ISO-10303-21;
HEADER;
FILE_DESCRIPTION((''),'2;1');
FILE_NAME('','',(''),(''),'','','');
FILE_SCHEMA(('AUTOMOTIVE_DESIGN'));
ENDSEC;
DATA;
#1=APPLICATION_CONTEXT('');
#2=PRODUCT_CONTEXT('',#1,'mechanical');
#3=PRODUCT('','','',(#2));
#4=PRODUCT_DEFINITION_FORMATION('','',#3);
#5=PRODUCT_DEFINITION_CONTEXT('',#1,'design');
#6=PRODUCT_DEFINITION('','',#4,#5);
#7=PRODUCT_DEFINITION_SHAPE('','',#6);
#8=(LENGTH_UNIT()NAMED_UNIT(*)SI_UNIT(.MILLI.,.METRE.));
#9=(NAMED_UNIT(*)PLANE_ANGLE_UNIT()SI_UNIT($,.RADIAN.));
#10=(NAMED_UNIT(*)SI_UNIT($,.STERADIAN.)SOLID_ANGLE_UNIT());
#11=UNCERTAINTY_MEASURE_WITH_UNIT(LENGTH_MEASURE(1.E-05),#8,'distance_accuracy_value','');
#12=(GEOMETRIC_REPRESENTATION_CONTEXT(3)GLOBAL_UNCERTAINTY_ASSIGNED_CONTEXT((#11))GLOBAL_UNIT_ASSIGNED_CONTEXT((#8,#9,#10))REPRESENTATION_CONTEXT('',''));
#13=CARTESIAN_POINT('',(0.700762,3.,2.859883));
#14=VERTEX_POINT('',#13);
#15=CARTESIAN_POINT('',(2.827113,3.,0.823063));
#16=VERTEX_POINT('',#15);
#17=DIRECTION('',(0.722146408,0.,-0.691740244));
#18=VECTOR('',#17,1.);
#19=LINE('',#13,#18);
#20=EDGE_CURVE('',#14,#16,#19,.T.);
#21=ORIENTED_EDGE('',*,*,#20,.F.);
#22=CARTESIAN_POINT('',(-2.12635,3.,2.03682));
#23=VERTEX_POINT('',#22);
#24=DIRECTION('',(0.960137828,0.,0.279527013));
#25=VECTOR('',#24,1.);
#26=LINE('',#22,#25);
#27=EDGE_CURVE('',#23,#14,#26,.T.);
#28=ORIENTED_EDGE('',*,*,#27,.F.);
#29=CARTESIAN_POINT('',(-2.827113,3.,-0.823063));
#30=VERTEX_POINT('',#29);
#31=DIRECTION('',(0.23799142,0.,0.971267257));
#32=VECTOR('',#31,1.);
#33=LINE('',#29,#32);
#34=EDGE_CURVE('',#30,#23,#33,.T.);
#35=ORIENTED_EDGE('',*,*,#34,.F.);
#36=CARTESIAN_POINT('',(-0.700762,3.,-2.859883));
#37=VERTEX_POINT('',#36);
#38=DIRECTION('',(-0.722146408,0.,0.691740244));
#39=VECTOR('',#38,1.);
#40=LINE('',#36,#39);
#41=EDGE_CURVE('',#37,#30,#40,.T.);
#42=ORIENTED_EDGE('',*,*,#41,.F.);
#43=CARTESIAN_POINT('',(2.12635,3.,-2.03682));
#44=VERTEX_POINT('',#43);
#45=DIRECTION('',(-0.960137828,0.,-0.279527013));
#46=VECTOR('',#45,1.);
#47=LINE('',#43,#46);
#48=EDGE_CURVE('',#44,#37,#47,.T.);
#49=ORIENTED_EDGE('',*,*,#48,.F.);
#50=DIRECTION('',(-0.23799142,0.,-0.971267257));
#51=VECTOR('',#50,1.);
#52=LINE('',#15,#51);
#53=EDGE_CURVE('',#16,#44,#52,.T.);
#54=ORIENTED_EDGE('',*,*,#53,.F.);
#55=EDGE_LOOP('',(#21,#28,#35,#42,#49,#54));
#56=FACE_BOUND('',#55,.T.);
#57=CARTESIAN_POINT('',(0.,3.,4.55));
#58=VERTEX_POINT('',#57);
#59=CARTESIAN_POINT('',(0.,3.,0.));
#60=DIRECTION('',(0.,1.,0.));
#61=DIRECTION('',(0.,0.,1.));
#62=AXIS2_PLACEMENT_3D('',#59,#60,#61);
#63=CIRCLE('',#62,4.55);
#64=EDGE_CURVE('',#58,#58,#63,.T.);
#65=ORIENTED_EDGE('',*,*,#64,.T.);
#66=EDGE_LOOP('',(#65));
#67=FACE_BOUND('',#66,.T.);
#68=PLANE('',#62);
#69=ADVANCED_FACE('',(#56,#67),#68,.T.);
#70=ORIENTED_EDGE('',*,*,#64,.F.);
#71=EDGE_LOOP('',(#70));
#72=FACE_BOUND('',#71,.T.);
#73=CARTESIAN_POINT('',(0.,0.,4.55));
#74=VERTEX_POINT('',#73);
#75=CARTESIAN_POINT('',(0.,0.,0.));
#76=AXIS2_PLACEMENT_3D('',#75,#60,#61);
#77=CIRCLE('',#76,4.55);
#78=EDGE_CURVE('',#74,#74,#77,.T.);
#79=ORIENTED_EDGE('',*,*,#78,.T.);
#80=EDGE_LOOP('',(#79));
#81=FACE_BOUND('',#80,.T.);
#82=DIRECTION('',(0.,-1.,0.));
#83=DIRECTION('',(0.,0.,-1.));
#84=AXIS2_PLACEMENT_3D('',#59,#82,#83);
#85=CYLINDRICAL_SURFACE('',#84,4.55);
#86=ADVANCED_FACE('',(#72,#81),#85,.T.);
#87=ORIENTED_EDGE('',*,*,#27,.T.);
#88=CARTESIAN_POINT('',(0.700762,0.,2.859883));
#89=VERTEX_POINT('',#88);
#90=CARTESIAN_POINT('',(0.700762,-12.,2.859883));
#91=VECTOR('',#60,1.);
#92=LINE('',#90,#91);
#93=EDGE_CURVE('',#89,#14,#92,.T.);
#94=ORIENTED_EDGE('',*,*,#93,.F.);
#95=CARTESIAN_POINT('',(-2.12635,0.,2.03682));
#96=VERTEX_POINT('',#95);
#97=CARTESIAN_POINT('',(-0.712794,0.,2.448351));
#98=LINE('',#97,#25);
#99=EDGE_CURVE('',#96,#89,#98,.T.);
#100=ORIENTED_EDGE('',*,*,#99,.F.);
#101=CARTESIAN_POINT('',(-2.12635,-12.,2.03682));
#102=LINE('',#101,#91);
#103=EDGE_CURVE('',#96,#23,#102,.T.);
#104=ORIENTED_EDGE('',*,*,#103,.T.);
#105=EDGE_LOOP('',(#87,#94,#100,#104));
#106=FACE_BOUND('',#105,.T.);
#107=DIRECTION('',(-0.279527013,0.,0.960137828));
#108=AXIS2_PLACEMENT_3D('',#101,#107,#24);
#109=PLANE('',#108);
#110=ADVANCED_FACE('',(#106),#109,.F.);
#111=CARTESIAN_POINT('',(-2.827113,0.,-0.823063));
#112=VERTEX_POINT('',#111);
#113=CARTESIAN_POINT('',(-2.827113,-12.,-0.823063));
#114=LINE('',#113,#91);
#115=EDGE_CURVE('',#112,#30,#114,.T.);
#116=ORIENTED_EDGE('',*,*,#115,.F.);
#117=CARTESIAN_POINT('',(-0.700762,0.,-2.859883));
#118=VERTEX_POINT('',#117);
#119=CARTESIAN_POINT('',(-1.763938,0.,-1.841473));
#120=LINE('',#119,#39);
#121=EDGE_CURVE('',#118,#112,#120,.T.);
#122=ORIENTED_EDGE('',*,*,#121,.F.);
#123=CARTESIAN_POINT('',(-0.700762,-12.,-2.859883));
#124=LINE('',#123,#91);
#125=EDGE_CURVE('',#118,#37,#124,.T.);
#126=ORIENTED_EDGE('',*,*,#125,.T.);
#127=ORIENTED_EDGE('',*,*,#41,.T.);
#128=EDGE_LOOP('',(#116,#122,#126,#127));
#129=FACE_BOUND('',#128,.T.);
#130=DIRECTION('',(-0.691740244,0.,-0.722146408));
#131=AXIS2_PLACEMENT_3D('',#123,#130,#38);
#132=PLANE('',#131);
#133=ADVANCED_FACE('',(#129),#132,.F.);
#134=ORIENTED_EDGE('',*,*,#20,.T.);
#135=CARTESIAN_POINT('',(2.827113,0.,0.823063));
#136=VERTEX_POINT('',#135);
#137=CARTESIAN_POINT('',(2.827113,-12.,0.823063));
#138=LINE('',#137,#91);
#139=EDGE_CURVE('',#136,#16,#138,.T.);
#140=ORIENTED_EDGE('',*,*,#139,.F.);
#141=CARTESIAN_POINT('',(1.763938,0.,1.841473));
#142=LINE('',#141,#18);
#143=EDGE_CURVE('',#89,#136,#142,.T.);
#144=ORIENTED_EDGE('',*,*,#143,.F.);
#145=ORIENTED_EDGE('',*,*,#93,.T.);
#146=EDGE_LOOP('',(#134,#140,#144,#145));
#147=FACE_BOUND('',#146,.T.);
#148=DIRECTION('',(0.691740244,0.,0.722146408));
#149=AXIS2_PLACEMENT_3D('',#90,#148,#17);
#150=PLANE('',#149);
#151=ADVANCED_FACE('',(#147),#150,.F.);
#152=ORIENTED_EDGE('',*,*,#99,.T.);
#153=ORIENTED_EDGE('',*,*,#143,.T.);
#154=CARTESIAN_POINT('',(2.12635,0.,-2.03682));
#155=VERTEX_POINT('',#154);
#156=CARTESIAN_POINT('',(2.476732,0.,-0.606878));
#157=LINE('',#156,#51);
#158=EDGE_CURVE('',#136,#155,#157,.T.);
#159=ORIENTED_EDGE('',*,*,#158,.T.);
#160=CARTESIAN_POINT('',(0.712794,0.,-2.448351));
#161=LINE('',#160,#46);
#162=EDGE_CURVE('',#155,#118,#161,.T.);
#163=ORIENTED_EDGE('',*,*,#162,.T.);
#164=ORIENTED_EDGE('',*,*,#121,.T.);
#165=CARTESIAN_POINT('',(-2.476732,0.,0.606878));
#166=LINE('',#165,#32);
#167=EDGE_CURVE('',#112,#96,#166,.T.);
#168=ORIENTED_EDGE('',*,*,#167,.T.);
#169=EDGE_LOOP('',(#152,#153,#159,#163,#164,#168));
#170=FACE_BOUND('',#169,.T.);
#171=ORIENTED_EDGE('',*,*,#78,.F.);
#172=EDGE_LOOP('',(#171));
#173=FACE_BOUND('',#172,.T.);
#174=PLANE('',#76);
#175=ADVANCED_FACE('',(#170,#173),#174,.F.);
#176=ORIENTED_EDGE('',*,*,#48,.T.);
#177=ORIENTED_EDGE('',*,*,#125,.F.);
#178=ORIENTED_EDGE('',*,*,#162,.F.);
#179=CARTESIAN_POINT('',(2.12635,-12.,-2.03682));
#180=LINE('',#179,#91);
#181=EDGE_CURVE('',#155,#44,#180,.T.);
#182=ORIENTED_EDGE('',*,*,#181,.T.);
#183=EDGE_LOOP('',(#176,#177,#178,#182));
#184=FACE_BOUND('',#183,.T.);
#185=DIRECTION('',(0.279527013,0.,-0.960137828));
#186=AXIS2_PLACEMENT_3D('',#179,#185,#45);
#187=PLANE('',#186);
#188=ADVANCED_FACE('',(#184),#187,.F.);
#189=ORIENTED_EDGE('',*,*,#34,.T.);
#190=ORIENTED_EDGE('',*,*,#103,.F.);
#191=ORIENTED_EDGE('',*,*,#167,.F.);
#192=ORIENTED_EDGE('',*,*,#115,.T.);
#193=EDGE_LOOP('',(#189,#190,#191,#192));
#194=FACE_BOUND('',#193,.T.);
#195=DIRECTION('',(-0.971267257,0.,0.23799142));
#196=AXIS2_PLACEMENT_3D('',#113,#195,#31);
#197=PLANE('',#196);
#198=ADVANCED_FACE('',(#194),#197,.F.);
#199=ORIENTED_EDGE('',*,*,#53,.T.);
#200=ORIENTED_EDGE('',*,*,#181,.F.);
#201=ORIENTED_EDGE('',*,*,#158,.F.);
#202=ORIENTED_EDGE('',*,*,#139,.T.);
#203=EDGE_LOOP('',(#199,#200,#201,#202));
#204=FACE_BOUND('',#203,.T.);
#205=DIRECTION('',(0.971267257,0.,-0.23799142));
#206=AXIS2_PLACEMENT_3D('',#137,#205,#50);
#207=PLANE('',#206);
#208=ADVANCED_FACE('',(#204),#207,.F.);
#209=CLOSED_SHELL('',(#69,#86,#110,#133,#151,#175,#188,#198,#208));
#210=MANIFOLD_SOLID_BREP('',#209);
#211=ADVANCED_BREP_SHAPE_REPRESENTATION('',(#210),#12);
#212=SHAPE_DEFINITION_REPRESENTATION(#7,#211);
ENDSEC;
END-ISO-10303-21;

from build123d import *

# Parameters (mm, degrees)
SKETCH1_R           = 4.55
BOSS_EXTRUDE1_DEPTH = 3
CUT_EXTRUDE1_DEPTH  = 15


with BuildPart() as part:
    # Sketch1 → Boss-Extrude1 (new body)
    with BuildSketch(Plane(origin=(0, 0, 0), x_dir=(1, 0, 0), z_dir=(0, 1, 0))):
        with Locations(Location((0, 0, 0), (0, 0, 270))):
            Circle(SKETCH1_R)
    extrude(amount=BOSS_EXTRUDE1_DEPTH)

    # Sketch2 → Cut-Extrude1 (cut)
    with BuildSketch(Plane(origin=(0, 3, 0), x_dir=(1, 0, 0), z_dir=(0, 1, 0))):
        Polygon((-2.126350259, -2.036819721), (0.700762492, -2.859883202), (2.827112751, -0.823063481), (2.126350259, 2.036819721), (-0.700762492, 2.859883202), (-2.827112751, 0.823063481), align=None)
    extrude(amount=-CUT_EXTRUDE1_DEPTH, mode=Mode.SUBTRACT)


solid = part.part
